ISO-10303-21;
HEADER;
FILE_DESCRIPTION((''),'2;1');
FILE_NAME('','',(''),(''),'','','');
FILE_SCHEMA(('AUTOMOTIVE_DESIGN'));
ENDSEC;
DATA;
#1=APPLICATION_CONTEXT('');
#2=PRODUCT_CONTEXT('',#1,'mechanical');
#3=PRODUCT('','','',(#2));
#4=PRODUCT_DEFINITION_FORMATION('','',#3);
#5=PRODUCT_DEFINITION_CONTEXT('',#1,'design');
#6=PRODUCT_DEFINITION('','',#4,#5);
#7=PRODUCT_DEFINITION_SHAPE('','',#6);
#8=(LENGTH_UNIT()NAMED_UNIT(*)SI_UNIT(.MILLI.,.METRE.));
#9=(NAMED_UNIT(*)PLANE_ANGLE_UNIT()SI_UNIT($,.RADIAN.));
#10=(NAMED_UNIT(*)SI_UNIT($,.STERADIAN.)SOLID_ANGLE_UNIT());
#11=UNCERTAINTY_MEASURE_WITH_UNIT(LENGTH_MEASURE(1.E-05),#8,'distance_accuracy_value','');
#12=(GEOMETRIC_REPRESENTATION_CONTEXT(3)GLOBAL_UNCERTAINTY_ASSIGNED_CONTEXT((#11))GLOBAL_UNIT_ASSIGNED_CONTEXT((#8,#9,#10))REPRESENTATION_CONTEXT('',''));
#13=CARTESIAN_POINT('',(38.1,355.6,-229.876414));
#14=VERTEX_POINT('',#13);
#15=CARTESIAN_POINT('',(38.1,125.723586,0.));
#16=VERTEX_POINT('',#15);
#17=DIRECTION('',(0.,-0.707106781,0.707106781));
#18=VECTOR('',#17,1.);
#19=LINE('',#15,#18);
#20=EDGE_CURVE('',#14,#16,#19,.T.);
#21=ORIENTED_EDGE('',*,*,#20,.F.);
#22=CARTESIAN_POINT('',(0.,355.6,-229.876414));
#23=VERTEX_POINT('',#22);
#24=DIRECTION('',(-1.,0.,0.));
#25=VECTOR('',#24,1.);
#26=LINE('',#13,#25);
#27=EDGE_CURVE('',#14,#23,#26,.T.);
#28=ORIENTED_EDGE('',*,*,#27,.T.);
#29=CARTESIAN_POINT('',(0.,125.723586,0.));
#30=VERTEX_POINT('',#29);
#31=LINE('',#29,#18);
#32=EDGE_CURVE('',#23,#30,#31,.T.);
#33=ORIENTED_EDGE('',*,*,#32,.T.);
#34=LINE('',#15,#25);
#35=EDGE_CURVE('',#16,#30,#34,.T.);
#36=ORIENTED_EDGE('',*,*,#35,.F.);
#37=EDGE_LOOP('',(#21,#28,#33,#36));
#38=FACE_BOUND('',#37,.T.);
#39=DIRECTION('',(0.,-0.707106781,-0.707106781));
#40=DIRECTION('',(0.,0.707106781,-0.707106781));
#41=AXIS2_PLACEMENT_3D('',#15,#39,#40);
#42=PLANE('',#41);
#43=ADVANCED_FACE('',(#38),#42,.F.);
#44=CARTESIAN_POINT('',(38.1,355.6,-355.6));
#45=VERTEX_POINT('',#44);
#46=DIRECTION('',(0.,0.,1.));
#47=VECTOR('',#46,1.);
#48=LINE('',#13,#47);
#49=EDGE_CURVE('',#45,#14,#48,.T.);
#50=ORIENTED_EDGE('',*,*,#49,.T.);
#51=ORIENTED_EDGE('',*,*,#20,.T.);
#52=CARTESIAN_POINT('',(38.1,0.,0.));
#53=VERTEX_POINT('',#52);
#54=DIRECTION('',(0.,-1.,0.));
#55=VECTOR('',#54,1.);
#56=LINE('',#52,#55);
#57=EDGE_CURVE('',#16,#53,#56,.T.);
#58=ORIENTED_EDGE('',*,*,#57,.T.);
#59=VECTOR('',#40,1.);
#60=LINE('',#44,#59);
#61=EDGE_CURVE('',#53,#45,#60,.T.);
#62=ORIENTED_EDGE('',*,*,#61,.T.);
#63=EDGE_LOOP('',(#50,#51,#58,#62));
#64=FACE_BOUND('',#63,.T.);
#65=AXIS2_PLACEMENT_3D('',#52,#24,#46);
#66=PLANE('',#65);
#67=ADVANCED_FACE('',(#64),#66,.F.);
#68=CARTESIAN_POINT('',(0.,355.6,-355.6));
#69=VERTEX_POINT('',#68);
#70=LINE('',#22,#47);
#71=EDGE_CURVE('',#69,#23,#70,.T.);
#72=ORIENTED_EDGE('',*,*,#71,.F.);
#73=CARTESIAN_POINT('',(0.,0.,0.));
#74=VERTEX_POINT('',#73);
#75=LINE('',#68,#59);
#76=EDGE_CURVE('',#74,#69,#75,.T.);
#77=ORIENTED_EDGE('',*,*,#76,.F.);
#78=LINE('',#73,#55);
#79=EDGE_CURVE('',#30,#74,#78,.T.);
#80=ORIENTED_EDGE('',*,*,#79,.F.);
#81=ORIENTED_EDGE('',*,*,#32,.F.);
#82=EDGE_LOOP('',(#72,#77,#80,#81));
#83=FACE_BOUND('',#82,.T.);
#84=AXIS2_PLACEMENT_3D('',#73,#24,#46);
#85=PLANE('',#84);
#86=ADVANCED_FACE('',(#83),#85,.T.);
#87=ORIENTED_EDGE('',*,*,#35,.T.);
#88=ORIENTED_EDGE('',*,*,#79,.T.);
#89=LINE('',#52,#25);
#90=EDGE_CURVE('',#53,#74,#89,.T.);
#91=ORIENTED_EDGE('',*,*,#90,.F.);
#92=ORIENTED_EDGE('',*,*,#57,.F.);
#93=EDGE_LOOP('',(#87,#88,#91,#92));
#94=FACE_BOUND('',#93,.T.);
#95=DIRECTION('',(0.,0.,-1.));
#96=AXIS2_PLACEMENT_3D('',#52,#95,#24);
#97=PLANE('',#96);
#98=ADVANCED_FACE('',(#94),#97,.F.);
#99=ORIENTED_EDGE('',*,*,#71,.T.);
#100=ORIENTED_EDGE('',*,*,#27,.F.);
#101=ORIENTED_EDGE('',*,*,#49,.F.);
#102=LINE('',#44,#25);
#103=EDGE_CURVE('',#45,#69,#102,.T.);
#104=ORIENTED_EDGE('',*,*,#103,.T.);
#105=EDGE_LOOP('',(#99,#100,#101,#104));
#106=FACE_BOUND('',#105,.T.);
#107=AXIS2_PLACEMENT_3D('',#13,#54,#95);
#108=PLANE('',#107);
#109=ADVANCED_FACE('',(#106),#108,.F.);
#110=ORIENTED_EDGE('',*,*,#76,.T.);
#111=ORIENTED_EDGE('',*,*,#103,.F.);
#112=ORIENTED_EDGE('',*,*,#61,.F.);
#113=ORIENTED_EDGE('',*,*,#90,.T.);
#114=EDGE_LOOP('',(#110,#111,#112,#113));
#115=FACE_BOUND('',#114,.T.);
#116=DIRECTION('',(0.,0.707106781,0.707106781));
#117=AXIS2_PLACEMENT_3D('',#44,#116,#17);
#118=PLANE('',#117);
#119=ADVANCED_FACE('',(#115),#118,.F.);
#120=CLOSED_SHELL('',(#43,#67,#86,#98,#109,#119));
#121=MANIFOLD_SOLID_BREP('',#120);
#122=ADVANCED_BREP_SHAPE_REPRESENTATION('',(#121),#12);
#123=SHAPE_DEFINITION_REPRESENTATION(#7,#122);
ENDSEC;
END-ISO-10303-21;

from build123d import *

# Parameters (mm, degrees)
BOSS_EXTRUDE1_DEPTH = 38.1


with BuildPart() as part:
    # Sketch1 → Boss-Extrude1 (new body)
    with BuildSketch(Plane(origin=(0, 0, 0), x_dir=(0, 0, -1), z_dir=(1, 0, 0))):
        Polygon((0, 0), (0, 125.723585695), (229.876414305, 355.6), (355.6, 355.6), align=None)
    extrude(amount=BOSS_EXTRUDE1_DEPTH)


solid = part.part
